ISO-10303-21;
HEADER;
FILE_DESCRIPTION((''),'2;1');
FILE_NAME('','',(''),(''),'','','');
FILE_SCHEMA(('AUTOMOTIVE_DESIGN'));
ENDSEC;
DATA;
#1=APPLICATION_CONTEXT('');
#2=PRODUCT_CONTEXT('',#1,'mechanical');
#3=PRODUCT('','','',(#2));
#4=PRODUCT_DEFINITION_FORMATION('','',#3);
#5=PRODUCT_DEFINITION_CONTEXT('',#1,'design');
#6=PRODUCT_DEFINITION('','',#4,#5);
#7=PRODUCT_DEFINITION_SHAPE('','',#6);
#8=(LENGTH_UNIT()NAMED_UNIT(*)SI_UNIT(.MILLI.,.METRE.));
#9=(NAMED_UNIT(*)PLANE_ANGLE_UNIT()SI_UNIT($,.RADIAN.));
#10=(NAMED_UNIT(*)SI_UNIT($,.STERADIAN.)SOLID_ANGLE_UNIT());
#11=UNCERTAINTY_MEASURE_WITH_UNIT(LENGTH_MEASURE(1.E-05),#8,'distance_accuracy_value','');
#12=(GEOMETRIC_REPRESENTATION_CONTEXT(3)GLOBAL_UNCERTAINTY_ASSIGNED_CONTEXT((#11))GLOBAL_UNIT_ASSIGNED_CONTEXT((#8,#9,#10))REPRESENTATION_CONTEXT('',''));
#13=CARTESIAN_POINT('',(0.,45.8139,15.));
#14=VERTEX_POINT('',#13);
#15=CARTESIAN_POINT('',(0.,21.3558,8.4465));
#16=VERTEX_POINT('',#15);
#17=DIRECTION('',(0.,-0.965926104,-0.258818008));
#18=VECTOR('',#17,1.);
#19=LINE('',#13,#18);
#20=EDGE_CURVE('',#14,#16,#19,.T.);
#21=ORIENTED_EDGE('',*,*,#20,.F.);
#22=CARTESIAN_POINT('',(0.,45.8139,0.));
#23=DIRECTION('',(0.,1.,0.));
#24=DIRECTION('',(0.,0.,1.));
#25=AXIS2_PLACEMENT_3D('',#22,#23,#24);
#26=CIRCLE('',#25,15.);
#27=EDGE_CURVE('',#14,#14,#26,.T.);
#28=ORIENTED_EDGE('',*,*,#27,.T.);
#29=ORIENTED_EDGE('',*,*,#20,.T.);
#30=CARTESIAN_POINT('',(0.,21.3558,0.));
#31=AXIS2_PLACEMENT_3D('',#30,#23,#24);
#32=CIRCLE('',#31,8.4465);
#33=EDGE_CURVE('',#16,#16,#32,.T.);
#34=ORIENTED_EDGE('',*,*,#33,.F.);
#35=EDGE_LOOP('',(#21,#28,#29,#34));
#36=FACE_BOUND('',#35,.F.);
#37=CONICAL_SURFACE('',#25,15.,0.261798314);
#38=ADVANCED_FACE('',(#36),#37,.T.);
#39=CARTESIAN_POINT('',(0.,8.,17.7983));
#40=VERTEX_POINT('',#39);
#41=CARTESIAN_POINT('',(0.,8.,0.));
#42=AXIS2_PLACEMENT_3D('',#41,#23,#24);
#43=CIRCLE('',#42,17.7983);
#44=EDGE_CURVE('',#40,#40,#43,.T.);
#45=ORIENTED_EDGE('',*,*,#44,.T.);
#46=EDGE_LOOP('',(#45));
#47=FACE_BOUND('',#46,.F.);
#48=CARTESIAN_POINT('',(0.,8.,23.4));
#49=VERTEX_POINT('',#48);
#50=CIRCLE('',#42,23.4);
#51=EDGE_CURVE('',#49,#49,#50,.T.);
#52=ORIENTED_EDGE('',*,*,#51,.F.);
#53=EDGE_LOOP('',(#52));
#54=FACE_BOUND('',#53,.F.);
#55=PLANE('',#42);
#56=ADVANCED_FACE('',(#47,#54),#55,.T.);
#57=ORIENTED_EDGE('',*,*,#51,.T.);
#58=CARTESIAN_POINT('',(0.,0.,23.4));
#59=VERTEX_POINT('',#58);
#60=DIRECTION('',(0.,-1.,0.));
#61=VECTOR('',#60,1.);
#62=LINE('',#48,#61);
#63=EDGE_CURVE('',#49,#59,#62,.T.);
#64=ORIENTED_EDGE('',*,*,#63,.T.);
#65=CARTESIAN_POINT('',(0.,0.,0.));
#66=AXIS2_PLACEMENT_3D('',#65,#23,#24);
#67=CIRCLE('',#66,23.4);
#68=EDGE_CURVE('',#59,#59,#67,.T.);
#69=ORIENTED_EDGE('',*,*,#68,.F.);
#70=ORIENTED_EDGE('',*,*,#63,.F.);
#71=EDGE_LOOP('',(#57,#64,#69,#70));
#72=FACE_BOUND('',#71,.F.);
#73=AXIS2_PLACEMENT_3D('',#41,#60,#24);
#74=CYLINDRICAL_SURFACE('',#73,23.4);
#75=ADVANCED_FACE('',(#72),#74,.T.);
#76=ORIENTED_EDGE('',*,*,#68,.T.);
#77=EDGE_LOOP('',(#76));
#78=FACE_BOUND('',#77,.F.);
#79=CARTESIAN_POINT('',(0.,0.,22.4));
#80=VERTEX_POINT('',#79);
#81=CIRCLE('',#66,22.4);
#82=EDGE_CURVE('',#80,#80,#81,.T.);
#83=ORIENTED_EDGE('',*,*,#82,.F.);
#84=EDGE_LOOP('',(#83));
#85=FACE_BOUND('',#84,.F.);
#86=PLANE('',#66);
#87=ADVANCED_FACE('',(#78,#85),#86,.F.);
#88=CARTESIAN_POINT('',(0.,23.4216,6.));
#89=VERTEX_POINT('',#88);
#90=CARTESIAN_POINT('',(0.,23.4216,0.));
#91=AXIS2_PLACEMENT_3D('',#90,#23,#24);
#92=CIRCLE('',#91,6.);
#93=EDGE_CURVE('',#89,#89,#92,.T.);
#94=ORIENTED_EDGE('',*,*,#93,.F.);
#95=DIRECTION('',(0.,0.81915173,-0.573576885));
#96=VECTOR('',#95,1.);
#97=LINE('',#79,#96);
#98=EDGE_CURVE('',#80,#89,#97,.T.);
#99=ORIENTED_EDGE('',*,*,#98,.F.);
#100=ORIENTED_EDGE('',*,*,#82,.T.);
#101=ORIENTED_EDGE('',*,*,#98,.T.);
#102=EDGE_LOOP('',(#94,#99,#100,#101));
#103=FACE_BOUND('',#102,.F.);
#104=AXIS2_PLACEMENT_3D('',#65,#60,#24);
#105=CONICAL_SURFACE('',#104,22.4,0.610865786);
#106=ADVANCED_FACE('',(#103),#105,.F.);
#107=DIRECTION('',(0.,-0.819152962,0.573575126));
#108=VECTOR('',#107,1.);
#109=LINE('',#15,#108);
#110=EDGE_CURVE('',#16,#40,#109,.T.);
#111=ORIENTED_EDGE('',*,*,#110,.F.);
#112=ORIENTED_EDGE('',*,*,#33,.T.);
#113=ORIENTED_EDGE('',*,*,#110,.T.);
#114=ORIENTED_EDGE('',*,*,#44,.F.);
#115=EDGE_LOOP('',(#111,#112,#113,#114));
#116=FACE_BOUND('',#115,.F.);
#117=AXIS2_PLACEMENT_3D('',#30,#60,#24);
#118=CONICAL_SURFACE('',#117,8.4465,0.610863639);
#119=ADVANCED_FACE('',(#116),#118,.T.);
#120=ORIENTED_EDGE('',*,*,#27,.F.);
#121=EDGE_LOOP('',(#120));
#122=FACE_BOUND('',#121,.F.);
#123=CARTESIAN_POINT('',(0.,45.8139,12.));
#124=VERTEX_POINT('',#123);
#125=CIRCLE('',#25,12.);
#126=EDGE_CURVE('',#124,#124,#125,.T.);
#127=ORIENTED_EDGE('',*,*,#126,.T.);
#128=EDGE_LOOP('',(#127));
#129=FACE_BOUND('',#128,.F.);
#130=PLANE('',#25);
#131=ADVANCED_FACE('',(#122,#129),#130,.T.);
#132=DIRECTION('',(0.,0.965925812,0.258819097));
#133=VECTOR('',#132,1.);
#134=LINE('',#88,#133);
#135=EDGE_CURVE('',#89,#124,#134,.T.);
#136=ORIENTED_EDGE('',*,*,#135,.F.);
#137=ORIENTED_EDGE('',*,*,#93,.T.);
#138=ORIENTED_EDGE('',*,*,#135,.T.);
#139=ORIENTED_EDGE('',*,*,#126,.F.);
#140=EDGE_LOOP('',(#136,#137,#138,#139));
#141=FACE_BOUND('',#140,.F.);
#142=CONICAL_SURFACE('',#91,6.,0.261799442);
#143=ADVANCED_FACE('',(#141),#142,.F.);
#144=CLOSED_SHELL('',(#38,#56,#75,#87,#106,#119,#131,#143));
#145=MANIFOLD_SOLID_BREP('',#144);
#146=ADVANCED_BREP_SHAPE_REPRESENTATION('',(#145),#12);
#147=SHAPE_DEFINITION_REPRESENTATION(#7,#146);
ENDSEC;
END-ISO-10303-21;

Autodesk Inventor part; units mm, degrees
ref_plane "YZ Plane" through (0, 0, 0) normal (1, 0, 0) x (0, 1, 0)
ref_plane "XZ Plane" through (0, 0, 0) normal (0, 1, 0) x (-1, 0, 0)
ref_plane "XY Plane" through (0, 0, 0) normal (0, 0, 1) x (1, 0, 0)
sketch "Sketch1" plane through (0, 0, 0) normal (1, 0, 0) x (0, 1, 0)
  line L0 (0, 22.4) -> (23.4216, 6)
  line L1 (23.4216, 6) -> (45.8139, 12)
  line L2 (45.8139, 12) -> (45.8139, 15)
  line L3 (45.8139, 15) -> (21.3558, 8.4465)
  line L4 (21.3558, 8.4465) -> (8, 17.7983)
  line L5 (8, 17.7983) -> (8, 23.4)
  line L6 (8, 23.4) -> (0, 23.4)
  line L7 (0, 23.4) -> (0, 22.4)
  line L8 (-9.1628, 0) -> (54.9767, 0) projected
  point P0 (0, 0)
  dimension "d0" = 23.4
  dimension "d1" = 8
  dimension "d3" = 6
  dimension "d4" = 1
  dimension "d5" = 35
  dimension "d6" = 15
  dimension "d7" = 12
  dimension "d8" = 3
  dimension "d9" = 45.8139
revolve "Revolution1" add sketch "Sketch1" angle 360 about axis through (0, -10, 0) along (0, 1, 0)
properties part number "nozzle"
